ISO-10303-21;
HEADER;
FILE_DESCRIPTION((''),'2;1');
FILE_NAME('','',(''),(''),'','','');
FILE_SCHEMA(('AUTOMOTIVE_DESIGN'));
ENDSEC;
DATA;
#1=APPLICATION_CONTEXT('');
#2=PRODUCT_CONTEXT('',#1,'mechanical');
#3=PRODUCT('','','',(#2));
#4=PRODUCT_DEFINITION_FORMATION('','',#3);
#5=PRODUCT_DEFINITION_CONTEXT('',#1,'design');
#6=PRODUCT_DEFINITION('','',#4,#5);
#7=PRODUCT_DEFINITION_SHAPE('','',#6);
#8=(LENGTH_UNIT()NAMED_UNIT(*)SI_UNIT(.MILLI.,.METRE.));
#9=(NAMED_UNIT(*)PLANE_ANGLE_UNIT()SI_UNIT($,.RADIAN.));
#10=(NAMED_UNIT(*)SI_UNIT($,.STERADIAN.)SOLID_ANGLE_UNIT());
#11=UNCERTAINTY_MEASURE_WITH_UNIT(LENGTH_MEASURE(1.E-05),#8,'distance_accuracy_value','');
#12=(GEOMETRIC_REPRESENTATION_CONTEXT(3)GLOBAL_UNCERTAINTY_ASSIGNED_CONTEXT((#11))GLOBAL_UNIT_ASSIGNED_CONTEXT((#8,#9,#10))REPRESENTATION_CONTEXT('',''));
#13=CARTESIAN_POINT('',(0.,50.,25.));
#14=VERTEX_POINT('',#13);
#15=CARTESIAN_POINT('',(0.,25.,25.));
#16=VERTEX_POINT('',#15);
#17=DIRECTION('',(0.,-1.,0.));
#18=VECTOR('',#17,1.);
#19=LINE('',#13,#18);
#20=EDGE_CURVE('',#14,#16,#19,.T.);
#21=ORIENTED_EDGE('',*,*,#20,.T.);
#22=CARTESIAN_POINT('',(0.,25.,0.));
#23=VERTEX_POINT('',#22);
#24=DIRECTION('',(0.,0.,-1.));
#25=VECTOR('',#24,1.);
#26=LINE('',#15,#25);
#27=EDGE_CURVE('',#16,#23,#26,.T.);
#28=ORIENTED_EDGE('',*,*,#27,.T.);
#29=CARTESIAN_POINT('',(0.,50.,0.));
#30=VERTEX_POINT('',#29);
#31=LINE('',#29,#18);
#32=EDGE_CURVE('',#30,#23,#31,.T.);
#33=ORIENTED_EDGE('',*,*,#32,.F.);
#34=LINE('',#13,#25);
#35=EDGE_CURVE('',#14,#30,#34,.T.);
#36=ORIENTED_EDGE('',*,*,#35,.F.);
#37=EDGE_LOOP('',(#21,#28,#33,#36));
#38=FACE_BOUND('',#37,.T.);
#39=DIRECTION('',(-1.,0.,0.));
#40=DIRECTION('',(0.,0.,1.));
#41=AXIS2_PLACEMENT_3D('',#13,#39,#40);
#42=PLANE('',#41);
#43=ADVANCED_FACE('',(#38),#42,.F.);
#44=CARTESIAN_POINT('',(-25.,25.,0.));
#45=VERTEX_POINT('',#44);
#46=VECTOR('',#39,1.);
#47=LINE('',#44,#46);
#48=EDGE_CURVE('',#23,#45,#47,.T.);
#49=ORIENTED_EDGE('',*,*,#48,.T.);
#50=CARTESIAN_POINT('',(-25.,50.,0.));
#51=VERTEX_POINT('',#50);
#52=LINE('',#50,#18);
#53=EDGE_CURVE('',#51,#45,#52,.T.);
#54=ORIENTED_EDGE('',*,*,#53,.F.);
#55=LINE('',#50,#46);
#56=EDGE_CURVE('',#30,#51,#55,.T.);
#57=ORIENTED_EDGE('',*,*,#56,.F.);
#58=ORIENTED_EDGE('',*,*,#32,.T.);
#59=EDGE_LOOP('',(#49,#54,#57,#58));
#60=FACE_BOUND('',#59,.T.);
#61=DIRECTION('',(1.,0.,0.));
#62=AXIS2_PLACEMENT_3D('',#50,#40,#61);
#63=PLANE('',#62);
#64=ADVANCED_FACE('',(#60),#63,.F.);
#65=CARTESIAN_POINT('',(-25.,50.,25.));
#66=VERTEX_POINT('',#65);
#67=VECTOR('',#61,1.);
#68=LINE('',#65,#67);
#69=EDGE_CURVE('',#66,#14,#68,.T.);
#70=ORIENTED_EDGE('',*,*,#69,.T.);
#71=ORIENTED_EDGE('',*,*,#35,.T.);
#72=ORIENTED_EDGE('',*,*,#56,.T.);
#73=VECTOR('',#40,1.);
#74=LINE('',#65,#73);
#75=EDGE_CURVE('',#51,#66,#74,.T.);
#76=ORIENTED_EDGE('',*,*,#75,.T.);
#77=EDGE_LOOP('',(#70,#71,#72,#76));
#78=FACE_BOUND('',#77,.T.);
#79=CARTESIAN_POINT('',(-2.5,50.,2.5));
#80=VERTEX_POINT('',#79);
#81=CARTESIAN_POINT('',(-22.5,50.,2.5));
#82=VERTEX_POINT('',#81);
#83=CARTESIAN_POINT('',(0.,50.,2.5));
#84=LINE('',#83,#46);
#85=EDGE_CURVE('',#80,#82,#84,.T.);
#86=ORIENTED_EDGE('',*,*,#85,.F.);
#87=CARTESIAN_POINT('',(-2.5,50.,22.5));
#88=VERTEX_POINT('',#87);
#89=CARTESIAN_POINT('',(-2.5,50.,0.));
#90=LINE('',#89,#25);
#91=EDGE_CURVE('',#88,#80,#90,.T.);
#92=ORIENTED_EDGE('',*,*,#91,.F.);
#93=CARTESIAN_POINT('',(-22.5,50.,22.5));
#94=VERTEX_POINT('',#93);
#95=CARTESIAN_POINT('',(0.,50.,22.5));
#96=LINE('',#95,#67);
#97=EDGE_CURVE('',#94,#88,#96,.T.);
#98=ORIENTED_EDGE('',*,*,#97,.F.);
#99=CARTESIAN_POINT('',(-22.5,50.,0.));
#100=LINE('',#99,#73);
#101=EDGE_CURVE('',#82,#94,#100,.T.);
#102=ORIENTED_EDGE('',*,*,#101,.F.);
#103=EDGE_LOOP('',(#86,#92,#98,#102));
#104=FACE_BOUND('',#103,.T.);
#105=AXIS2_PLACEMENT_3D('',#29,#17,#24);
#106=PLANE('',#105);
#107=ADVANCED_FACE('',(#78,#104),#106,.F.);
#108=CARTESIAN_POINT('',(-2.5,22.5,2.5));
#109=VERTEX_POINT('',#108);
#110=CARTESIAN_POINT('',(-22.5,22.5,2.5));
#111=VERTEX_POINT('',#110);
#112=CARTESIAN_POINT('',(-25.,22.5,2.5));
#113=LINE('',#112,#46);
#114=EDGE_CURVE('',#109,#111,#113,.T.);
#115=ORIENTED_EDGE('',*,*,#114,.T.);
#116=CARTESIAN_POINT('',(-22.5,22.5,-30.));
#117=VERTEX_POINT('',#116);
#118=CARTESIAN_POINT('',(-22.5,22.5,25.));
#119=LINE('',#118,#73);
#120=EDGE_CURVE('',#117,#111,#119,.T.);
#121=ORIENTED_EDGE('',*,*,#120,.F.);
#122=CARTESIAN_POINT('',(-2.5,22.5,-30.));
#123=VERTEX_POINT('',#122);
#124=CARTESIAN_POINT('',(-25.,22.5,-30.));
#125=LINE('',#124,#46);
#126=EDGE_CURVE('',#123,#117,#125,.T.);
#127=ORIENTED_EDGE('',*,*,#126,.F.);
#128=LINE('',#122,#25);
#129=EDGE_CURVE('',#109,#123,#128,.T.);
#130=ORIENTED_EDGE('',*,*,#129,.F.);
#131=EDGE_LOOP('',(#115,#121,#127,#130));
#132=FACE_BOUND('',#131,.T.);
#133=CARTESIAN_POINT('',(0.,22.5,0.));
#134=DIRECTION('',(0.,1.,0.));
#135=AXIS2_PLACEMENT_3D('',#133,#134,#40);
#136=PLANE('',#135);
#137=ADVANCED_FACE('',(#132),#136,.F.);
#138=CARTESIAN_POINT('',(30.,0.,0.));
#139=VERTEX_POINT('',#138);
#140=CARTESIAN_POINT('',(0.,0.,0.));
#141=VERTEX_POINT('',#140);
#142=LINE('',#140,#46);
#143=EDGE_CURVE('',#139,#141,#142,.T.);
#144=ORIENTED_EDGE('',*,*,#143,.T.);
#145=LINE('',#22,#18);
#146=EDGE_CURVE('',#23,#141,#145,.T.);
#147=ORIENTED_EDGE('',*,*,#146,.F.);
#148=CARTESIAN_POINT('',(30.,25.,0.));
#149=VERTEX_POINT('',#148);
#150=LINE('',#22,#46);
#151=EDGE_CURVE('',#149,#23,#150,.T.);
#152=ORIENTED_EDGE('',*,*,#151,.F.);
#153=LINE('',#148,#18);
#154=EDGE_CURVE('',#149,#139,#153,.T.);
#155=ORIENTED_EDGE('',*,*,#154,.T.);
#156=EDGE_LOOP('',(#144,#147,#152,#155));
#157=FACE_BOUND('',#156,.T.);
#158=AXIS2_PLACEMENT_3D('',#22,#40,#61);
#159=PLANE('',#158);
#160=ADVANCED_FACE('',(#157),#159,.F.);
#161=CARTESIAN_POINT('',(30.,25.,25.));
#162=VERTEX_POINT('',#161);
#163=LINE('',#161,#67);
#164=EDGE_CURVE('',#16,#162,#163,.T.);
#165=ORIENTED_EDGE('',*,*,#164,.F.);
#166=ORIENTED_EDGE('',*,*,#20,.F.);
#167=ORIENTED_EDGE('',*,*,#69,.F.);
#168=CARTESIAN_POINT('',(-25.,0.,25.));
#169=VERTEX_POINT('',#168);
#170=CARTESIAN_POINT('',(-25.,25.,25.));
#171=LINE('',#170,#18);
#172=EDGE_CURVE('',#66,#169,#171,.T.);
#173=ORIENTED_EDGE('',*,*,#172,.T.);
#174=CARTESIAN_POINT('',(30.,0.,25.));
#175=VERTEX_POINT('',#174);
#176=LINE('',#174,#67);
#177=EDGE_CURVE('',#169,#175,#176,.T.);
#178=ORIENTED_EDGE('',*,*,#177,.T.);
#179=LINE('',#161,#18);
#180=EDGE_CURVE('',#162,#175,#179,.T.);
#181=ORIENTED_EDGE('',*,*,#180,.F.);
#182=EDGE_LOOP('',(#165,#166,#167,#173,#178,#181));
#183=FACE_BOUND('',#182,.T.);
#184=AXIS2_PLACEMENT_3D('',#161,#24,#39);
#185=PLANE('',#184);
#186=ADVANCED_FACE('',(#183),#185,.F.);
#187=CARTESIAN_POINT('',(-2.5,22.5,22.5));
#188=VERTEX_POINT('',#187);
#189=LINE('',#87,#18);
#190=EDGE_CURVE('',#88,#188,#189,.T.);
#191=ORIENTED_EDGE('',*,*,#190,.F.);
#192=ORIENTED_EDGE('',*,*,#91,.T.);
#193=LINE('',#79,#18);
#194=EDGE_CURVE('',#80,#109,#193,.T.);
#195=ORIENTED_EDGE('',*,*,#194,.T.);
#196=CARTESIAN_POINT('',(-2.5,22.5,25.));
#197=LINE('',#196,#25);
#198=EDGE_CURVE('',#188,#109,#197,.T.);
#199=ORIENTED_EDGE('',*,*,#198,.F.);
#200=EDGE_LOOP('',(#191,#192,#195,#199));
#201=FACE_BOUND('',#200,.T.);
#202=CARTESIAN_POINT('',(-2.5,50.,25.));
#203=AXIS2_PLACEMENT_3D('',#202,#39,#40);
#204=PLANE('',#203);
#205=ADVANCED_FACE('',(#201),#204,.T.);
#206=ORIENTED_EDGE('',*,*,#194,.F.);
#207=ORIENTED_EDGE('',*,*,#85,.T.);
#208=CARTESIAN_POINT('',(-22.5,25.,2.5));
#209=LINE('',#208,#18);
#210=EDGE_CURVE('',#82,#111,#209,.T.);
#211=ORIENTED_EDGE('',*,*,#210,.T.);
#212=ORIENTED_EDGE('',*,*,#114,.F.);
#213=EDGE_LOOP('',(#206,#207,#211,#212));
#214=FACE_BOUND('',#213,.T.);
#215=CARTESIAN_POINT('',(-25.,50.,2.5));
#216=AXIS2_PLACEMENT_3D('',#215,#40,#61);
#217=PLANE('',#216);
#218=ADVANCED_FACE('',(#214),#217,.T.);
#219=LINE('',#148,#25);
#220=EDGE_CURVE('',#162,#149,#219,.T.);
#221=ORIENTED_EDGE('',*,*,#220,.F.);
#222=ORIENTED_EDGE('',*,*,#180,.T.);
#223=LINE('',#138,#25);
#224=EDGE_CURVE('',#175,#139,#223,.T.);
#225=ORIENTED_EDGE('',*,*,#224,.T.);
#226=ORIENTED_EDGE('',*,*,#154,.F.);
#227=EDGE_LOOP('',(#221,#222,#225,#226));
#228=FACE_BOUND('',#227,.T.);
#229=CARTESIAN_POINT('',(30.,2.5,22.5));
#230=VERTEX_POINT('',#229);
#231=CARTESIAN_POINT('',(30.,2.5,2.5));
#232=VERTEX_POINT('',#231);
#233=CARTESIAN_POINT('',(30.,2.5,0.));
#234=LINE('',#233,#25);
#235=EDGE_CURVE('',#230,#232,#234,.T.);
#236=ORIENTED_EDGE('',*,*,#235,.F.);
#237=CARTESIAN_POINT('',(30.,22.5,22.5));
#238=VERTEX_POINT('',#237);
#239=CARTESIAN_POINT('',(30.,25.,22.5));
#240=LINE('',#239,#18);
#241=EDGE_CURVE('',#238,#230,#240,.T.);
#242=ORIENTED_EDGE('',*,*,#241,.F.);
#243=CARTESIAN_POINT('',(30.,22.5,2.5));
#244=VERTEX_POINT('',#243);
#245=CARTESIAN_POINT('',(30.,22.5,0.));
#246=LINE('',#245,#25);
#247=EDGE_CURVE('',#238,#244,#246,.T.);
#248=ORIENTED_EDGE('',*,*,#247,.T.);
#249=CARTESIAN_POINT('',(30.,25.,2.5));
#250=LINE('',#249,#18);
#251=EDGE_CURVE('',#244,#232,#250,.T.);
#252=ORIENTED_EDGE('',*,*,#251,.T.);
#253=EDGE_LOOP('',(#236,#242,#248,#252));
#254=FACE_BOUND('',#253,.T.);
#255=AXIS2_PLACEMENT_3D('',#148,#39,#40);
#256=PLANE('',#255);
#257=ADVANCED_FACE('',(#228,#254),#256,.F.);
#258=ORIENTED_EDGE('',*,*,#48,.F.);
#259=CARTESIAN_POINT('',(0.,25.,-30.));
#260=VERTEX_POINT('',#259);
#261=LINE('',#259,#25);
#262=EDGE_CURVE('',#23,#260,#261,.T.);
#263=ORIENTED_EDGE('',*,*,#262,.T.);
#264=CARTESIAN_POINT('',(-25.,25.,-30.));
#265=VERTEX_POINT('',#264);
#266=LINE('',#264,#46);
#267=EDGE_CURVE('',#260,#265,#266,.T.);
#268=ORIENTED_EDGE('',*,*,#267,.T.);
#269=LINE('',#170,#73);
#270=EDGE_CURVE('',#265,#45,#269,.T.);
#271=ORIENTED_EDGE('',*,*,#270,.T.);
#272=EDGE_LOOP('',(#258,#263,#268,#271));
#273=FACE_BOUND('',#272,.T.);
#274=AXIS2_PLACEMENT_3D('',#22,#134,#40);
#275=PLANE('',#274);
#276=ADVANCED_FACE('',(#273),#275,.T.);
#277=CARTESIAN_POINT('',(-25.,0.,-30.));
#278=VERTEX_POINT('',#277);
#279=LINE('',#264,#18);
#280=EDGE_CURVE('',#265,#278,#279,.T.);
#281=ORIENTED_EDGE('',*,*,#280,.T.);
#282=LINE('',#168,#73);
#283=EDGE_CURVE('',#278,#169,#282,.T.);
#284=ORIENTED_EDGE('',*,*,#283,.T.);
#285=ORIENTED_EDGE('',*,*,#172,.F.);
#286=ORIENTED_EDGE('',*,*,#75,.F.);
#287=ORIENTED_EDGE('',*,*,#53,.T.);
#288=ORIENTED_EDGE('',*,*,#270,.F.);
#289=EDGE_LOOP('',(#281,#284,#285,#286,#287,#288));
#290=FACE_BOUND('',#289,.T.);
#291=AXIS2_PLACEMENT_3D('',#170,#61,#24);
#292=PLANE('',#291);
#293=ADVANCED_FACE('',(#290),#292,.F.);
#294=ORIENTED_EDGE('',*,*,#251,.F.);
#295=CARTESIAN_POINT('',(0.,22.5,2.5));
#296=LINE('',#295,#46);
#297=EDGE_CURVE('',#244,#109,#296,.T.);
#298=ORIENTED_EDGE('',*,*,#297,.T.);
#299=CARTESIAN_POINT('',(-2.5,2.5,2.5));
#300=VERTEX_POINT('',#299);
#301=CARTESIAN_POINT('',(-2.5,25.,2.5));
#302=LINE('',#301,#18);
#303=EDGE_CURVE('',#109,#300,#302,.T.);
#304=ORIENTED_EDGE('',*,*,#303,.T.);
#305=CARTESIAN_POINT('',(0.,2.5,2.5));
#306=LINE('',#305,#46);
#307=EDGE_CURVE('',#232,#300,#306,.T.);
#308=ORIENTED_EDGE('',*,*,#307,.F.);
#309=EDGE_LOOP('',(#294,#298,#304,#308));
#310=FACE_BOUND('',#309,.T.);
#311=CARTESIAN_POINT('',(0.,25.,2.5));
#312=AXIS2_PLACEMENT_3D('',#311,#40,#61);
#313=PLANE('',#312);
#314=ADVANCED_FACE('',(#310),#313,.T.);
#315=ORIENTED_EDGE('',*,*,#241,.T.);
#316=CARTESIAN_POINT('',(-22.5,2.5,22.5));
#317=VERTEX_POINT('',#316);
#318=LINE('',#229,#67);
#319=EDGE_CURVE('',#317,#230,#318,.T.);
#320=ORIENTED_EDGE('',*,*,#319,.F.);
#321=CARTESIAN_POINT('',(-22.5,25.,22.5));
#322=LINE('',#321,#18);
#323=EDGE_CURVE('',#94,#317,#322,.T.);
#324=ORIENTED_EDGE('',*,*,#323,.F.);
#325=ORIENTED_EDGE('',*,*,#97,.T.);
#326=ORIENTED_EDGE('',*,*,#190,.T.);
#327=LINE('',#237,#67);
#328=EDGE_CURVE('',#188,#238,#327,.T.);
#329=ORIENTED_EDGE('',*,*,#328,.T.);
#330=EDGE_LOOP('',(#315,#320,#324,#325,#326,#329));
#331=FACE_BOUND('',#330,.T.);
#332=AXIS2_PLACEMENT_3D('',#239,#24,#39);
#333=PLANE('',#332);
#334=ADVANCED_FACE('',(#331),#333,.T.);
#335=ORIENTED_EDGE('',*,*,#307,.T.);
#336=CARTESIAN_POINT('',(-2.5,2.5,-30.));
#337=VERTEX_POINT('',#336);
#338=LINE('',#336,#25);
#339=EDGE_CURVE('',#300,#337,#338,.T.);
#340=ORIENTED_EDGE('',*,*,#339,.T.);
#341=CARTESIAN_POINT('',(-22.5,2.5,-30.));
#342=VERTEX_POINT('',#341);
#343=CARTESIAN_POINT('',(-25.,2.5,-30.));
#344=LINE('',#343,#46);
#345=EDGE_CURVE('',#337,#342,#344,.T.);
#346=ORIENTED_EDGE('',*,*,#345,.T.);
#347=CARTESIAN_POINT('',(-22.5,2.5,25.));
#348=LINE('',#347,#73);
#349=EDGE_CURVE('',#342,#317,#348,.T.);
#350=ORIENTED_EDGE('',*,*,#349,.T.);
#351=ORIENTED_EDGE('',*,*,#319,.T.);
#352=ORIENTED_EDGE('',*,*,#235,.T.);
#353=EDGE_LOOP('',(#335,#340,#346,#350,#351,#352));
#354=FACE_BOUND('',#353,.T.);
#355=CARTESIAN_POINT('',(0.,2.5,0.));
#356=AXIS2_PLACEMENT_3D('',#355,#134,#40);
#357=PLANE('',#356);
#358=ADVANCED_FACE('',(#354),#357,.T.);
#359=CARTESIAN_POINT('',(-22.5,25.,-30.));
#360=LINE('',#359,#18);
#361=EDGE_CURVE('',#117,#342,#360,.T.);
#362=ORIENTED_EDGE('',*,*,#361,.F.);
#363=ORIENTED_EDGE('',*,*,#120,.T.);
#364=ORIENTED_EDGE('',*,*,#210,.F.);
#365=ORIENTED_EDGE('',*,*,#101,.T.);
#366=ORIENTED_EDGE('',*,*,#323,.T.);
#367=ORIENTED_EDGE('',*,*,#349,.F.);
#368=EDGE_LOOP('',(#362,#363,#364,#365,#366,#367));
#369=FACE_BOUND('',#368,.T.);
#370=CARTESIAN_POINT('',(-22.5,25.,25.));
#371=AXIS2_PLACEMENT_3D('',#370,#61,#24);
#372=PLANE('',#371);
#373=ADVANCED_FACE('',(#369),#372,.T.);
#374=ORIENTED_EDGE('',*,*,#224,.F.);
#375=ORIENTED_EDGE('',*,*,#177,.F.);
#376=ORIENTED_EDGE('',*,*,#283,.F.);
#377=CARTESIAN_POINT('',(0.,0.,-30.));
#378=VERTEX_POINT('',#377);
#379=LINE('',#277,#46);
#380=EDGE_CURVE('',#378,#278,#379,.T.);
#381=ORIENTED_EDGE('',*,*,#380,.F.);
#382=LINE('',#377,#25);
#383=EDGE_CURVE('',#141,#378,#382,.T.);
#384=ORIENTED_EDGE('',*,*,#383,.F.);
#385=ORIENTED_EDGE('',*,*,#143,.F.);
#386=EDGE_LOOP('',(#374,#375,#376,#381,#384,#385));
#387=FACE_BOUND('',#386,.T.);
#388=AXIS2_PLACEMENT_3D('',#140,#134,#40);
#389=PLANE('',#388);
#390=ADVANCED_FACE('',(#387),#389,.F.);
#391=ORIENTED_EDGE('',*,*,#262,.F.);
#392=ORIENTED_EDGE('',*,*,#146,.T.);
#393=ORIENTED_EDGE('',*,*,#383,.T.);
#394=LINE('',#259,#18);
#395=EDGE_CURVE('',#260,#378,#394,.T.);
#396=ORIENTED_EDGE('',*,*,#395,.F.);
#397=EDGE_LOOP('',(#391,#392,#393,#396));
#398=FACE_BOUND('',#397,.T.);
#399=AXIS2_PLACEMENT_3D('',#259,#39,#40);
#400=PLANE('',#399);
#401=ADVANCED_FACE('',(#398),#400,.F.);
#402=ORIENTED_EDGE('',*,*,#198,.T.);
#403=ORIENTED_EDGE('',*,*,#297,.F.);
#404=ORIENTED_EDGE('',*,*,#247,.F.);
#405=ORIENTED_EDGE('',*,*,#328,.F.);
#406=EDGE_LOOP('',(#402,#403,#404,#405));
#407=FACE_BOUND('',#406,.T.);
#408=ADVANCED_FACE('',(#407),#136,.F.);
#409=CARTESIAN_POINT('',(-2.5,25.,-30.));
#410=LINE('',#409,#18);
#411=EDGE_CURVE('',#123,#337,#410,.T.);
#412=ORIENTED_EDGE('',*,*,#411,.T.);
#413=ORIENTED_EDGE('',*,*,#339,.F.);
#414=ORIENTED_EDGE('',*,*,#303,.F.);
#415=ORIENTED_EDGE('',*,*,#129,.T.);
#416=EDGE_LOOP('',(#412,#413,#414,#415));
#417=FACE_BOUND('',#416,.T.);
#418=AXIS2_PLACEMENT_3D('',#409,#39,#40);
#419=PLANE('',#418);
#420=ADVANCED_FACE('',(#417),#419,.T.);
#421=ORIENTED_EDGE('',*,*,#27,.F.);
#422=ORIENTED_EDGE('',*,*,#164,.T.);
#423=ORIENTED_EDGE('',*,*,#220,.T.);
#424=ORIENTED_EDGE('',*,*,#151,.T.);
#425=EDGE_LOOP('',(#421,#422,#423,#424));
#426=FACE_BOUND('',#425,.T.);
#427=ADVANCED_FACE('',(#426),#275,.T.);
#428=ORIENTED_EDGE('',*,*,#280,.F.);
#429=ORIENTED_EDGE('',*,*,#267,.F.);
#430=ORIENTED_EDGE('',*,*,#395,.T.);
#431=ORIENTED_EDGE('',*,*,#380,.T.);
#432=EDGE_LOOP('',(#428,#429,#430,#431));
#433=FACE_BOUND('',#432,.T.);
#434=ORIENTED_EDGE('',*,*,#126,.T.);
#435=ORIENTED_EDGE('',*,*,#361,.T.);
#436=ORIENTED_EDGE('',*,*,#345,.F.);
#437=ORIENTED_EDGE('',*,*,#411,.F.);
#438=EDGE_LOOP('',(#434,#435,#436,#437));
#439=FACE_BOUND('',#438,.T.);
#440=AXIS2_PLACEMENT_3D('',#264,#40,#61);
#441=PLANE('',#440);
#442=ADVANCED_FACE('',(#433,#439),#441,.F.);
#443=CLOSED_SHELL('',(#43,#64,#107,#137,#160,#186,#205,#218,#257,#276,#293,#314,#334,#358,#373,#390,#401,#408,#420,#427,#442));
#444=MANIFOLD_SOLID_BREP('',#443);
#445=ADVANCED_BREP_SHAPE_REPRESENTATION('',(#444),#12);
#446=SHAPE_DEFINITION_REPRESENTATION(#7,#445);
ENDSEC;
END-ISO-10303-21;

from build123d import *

# Parameters (mm, degrees)
BOSS_EXTRUDE1_DEPTH = 25
SKETCH3_W           = 25
SKETCH3_H           = 25
BOSS_EXTRUDE2_DEPTH = 25
SHELL2_T            = -2.5


with BuildPart() as part:
    # Sketch2 → Boss-Extrude1 (new body)
    with BuildSketch(Plane(origin=(0, 0, 0), x_dir=(1, 0, 0), z_dir=(0, 1, 0))):
        Polygon((0, 0), (30, 0), (30, -25), (-25, -25), (-25, 30), (0, 30), align=None)
    extrude(amount=BOSS_EXTRUDE1_DEPTH)

    # Sketch3 → Boss-Extrude2 (add)
    with BuildSketch(Plane(origin=(0, 25, 0), x_dir=(1, 0, 0), z_dir=(0, 1, 0))):
        with Locations((-12.5, -12.5)):
            Rectangle(SKETCH3_W, SKETCH3_H)
    extrude(amount=BOSS_EXTRUDE2_DEPTH)

    # Shell2
    shell2_openings = [part.faces().sort_by_distance(p)[0] for p in [
        (30, 12.5, 12.5),
        (-12.5, 12.5, -30),
        (-12.5, 50, 12.5),
    ]]
    offset(amount=SHELL2_T, openings=shell2_openings, kind=Kind.INTERSECTION)


solid = part.part
